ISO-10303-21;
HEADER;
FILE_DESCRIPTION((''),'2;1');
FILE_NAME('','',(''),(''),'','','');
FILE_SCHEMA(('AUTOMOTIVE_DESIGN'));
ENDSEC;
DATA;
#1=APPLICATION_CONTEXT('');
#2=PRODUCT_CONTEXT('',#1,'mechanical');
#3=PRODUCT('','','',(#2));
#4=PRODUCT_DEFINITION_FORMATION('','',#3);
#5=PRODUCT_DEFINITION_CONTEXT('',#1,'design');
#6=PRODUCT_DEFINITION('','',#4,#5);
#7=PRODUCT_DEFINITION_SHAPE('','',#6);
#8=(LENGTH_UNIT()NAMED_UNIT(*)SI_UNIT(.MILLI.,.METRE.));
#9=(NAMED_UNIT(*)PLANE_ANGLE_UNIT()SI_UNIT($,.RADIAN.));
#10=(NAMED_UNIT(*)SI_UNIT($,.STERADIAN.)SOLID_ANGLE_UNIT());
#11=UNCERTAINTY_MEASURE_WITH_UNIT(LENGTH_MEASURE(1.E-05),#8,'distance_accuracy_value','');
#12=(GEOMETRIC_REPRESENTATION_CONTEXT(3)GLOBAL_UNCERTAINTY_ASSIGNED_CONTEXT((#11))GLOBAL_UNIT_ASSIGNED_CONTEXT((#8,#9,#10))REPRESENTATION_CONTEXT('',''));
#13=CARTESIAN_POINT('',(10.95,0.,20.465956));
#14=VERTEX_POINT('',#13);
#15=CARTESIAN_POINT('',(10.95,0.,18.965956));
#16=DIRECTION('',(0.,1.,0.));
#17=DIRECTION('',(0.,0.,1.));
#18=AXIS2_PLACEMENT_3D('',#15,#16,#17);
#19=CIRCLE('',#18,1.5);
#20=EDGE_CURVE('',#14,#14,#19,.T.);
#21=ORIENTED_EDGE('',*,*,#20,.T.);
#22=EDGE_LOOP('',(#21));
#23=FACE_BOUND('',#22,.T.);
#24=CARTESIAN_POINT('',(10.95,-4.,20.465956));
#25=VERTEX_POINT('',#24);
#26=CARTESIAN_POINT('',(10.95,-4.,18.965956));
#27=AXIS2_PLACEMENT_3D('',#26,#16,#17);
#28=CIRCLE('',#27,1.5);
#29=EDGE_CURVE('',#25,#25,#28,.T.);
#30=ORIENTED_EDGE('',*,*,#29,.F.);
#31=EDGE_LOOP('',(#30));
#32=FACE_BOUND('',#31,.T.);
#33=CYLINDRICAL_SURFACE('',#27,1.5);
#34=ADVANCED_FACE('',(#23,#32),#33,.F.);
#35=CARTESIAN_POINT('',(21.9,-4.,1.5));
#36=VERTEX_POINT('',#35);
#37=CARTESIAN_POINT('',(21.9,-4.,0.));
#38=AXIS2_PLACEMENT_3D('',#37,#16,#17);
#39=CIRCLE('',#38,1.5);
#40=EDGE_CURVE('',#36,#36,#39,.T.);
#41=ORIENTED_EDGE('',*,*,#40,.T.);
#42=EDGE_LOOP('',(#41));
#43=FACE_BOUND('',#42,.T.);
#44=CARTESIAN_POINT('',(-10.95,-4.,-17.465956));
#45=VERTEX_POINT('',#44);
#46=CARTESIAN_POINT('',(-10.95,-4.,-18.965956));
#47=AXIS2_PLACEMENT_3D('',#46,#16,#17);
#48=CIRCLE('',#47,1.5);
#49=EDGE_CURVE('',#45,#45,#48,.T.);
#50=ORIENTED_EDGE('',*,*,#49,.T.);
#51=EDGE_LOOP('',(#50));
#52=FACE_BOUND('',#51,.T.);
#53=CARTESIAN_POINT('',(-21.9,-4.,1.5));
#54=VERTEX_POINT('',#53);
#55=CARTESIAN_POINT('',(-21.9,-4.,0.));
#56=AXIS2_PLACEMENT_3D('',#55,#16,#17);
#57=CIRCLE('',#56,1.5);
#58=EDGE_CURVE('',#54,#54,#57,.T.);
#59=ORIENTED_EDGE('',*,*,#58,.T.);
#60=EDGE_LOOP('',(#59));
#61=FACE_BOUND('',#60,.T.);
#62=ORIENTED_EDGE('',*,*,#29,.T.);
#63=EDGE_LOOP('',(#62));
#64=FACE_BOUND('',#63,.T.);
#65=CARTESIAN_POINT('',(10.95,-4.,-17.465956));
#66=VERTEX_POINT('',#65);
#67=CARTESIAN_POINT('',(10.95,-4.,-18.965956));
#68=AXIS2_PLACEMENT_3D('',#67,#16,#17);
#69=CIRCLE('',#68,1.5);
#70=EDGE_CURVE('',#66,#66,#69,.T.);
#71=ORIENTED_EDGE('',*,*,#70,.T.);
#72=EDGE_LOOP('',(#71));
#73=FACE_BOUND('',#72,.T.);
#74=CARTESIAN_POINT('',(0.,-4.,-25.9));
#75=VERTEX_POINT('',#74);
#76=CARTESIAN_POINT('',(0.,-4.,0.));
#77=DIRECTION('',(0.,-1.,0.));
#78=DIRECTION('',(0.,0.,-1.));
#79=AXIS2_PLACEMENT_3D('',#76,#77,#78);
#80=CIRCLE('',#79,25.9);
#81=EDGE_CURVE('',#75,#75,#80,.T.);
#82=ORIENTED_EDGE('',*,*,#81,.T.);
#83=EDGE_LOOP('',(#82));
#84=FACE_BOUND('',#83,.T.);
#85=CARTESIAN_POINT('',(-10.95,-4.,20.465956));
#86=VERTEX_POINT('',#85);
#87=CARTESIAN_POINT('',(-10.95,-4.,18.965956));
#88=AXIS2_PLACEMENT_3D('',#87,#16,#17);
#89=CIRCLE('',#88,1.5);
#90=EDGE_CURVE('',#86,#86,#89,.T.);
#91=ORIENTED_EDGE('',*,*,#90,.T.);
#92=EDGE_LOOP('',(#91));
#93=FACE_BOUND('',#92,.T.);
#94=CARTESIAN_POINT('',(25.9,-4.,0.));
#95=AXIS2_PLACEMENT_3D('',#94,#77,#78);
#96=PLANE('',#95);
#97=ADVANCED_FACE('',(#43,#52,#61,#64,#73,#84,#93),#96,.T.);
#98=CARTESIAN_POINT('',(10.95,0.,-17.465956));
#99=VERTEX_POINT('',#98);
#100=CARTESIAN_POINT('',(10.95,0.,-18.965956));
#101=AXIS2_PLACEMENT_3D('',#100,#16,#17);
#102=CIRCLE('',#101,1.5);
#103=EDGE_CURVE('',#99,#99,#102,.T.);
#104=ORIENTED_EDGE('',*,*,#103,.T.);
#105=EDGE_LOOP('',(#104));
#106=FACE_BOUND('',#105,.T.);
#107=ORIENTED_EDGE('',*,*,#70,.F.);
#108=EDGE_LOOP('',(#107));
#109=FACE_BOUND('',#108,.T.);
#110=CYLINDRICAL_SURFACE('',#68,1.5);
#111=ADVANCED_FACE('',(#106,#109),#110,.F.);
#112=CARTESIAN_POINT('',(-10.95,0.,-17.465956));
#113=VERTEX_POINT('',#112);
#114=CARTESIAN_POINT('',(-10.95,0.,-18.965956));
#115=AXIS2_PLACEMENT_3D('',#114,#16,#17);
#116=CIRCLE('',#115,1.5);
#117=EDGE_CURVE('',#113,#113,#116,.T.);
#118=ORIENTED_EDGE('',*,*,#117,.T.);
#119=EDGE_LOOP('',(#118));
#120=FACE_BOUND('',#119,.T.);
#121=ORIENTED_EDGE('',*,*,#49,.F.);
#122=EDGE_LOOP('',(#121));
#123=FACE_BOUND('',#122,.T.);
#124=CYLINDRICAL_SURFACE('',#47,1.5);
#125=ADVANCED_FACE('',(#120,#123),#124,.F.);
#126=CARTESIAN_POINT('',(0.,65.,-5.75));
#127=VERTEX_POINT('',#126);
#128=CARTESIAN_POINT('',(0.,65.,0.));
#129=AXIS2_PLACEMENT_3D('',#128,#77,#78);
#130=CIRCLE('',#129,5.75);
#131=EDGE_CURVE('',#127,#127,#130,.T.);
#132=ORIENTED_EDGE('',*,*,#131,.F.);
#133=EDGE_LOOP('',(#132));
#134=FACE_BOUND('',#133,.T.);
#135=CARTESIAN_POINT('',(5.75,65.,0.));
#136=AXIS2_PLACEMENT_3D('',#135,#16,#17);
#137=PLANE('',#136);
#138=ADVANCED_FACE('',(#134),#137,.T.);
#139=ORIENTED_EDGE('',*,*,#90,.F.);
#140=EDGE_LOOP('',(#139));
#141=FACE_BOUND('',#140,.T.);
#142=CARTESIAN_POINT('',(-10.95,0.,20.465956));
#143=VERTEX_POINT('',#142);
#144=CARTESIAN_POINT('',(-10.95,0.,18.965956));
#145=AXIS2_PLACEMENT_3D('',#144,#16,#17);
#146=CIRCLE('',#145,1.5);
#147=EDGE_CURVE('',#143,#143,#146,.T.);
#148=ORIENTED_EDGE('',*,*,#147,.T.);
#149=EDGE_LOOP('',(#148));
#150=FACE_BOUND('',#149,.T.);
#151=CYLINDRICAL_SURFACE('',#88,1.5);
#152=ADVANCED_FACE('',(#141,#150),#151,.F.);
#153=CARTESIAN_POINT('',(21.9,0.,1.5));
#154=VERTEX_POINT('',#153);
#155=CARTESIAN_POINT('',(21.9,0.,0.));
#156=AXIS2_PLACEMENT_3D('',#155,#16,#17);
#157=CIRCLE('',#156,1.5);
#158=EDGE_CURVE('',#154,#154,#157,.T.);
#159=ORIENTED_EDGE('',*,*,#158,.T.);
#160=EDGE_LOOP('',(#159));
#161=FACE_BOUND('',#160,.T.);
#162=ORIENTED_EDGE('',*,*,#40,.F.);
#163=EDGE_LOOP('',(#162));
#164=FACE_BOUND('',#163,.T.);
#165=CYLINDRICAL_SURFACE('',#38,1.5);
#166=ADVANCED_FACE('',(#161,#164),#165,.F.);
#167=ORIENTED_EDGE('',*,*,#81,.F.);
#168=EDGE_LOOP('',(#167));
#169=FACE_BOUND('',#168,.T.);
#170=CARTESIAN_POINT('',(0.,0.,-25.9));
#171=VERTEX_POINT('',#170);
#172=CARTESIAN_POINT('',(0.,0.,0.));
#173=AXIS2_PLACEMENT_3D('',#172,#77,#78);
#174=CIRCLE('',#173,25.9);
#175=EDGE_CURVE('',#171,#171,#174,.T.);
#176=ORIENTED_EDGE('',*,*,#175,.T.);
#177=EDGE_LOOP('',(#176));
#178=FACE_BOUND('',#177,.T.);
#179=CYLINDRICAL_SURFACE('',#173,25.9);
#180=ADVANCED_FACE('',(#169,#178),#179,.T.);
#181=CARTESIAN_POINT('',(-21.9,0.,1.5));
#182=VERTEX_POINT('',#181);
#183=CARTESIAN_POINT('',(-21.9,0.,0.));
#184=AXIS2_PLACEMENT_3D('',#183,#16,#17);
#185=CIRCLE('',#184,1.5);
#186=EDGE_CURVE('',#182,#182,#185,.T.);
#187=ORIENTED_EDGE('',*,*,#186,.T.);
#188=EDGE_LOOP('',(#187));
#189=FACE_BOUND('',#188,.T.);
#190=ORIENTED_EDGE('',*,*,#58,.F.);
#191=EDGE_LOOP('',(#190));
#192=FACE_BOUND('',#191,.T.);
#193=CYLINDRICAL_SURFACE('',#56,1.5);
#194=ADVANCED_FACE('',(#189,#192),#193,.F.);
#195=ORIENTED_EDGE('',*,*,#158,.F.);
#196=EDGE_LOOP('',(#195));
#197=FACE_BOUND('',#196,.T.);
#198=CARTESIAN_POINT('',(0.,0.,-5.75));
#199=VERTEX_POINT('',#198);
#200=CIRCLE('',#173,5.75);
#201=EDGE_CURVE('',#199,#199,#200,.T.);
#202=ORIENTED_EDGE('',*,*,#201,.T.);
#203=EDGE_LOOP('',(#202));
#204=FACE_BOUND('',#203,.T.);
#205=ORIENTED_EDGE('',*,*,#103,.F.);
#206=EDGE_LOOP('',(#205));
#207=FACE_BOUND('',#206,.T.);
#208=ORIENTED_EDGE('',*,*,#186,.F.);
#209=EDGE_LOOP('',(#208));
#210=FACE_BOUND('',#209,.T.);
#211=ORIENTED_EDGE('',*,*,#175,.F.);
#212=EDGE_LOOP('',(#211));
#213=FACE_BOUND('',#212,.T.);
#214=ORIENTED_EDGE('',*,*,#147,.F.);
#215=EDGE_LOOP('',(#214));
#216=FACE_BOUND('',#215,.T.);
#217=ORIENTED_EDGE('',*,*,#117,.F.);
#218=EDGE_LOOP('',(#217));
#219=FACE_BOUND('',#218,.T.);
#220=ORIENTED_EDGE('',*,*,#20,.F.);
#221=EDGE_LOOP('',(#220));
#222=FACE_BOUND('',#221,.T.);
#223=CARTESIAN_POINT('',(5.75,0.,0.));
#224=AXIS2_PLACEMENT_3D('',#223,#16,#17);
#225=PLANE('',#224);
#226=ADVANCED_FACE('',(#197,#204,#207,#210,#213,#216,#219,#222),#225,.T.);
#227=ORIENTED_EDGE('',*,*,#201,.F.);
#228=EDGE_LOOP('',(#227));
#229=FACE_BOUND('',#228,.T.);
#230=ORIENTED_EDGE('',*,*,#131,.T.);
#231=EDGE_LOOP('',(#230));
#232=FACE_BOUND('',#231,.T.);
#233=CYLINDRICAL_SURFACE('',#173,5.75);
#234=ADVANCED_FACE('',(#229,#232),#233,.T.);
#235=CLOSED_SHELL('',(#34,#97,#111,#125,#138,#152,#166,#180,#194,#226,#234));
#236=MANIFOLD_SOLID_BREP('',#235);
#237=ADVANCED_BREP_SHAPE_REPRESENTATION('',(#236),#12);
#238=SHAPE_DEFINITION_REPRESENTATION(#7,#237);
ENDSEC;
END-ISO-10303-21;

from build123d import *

# Parameters (mm, degrees)
CUT_EXTRUDE_1_DEPTH      = 75.609784881
CUT_EXTRUDE_1_DEPTH_BACK = 75.609784881
SKETCH_2_R               = 1.5


with BuildPart() as part:
    # Эскиз1 → Повернуть1 (revolve)
    with BuildSketch(Plane.XY, mode=Mode.PRIVATE) as revolve_1_sk:
        Polygon((5.75, 0), (25.9, 0), (25.9, -4), (0, -4), (0, 65), (5.75, 65), align=None)
    revolve(revolve_1_sk.sketch.rotate(Axis((0, 0, 0), (0, 1, 0)), 90), axis=Axis((0, 0, 0), (0, 1, 0)))

    # Эскиз2 → Вырез-Вытянуть1 (cut, two sides: drawn at the far end of the back side and taken through both)
    with BuildSketch(Plane(origin=(0, 0, 0), x_dir=(1, 0, 0), z_dir=(0, 1, 0)).offset(-CUT_EXTRUDE_1_DEPTH_BACK)):
        with Locations(Location((21.9, 0, 0), (0, 0, 270))):
            Circle(SKETCH_2_R)
        with Locations(Location((10.95, -18.965956343, 0), (0, 0, 270))):
            Circle(SKETCH_2_R)
        with Locations(Location((-10.95, -18.965956343, 0), (0, 0, 270))):
            Circle(SKETCH_2_R)
        with Locations(Location((-21.9, 0, 0), (0, 0, 270))):
            Circle(SKETCH_2_R)
        with Locations(Location((-10.95, 18.965956343, 0), (0, 0, 270))):
            Circle(SKETCH_2_R)
        with Locations(Location((10.95, 18.965956343, 0), (0, 0, 270))):
            Circle(SKETCH_2_R)
    extrude(amount=CUT_EXTRUDE_1_DEPTH + CUT_EXTRUDE_1_DEPTH_BACK, mode=Mode.SUBTRACT)


solid = part.part
